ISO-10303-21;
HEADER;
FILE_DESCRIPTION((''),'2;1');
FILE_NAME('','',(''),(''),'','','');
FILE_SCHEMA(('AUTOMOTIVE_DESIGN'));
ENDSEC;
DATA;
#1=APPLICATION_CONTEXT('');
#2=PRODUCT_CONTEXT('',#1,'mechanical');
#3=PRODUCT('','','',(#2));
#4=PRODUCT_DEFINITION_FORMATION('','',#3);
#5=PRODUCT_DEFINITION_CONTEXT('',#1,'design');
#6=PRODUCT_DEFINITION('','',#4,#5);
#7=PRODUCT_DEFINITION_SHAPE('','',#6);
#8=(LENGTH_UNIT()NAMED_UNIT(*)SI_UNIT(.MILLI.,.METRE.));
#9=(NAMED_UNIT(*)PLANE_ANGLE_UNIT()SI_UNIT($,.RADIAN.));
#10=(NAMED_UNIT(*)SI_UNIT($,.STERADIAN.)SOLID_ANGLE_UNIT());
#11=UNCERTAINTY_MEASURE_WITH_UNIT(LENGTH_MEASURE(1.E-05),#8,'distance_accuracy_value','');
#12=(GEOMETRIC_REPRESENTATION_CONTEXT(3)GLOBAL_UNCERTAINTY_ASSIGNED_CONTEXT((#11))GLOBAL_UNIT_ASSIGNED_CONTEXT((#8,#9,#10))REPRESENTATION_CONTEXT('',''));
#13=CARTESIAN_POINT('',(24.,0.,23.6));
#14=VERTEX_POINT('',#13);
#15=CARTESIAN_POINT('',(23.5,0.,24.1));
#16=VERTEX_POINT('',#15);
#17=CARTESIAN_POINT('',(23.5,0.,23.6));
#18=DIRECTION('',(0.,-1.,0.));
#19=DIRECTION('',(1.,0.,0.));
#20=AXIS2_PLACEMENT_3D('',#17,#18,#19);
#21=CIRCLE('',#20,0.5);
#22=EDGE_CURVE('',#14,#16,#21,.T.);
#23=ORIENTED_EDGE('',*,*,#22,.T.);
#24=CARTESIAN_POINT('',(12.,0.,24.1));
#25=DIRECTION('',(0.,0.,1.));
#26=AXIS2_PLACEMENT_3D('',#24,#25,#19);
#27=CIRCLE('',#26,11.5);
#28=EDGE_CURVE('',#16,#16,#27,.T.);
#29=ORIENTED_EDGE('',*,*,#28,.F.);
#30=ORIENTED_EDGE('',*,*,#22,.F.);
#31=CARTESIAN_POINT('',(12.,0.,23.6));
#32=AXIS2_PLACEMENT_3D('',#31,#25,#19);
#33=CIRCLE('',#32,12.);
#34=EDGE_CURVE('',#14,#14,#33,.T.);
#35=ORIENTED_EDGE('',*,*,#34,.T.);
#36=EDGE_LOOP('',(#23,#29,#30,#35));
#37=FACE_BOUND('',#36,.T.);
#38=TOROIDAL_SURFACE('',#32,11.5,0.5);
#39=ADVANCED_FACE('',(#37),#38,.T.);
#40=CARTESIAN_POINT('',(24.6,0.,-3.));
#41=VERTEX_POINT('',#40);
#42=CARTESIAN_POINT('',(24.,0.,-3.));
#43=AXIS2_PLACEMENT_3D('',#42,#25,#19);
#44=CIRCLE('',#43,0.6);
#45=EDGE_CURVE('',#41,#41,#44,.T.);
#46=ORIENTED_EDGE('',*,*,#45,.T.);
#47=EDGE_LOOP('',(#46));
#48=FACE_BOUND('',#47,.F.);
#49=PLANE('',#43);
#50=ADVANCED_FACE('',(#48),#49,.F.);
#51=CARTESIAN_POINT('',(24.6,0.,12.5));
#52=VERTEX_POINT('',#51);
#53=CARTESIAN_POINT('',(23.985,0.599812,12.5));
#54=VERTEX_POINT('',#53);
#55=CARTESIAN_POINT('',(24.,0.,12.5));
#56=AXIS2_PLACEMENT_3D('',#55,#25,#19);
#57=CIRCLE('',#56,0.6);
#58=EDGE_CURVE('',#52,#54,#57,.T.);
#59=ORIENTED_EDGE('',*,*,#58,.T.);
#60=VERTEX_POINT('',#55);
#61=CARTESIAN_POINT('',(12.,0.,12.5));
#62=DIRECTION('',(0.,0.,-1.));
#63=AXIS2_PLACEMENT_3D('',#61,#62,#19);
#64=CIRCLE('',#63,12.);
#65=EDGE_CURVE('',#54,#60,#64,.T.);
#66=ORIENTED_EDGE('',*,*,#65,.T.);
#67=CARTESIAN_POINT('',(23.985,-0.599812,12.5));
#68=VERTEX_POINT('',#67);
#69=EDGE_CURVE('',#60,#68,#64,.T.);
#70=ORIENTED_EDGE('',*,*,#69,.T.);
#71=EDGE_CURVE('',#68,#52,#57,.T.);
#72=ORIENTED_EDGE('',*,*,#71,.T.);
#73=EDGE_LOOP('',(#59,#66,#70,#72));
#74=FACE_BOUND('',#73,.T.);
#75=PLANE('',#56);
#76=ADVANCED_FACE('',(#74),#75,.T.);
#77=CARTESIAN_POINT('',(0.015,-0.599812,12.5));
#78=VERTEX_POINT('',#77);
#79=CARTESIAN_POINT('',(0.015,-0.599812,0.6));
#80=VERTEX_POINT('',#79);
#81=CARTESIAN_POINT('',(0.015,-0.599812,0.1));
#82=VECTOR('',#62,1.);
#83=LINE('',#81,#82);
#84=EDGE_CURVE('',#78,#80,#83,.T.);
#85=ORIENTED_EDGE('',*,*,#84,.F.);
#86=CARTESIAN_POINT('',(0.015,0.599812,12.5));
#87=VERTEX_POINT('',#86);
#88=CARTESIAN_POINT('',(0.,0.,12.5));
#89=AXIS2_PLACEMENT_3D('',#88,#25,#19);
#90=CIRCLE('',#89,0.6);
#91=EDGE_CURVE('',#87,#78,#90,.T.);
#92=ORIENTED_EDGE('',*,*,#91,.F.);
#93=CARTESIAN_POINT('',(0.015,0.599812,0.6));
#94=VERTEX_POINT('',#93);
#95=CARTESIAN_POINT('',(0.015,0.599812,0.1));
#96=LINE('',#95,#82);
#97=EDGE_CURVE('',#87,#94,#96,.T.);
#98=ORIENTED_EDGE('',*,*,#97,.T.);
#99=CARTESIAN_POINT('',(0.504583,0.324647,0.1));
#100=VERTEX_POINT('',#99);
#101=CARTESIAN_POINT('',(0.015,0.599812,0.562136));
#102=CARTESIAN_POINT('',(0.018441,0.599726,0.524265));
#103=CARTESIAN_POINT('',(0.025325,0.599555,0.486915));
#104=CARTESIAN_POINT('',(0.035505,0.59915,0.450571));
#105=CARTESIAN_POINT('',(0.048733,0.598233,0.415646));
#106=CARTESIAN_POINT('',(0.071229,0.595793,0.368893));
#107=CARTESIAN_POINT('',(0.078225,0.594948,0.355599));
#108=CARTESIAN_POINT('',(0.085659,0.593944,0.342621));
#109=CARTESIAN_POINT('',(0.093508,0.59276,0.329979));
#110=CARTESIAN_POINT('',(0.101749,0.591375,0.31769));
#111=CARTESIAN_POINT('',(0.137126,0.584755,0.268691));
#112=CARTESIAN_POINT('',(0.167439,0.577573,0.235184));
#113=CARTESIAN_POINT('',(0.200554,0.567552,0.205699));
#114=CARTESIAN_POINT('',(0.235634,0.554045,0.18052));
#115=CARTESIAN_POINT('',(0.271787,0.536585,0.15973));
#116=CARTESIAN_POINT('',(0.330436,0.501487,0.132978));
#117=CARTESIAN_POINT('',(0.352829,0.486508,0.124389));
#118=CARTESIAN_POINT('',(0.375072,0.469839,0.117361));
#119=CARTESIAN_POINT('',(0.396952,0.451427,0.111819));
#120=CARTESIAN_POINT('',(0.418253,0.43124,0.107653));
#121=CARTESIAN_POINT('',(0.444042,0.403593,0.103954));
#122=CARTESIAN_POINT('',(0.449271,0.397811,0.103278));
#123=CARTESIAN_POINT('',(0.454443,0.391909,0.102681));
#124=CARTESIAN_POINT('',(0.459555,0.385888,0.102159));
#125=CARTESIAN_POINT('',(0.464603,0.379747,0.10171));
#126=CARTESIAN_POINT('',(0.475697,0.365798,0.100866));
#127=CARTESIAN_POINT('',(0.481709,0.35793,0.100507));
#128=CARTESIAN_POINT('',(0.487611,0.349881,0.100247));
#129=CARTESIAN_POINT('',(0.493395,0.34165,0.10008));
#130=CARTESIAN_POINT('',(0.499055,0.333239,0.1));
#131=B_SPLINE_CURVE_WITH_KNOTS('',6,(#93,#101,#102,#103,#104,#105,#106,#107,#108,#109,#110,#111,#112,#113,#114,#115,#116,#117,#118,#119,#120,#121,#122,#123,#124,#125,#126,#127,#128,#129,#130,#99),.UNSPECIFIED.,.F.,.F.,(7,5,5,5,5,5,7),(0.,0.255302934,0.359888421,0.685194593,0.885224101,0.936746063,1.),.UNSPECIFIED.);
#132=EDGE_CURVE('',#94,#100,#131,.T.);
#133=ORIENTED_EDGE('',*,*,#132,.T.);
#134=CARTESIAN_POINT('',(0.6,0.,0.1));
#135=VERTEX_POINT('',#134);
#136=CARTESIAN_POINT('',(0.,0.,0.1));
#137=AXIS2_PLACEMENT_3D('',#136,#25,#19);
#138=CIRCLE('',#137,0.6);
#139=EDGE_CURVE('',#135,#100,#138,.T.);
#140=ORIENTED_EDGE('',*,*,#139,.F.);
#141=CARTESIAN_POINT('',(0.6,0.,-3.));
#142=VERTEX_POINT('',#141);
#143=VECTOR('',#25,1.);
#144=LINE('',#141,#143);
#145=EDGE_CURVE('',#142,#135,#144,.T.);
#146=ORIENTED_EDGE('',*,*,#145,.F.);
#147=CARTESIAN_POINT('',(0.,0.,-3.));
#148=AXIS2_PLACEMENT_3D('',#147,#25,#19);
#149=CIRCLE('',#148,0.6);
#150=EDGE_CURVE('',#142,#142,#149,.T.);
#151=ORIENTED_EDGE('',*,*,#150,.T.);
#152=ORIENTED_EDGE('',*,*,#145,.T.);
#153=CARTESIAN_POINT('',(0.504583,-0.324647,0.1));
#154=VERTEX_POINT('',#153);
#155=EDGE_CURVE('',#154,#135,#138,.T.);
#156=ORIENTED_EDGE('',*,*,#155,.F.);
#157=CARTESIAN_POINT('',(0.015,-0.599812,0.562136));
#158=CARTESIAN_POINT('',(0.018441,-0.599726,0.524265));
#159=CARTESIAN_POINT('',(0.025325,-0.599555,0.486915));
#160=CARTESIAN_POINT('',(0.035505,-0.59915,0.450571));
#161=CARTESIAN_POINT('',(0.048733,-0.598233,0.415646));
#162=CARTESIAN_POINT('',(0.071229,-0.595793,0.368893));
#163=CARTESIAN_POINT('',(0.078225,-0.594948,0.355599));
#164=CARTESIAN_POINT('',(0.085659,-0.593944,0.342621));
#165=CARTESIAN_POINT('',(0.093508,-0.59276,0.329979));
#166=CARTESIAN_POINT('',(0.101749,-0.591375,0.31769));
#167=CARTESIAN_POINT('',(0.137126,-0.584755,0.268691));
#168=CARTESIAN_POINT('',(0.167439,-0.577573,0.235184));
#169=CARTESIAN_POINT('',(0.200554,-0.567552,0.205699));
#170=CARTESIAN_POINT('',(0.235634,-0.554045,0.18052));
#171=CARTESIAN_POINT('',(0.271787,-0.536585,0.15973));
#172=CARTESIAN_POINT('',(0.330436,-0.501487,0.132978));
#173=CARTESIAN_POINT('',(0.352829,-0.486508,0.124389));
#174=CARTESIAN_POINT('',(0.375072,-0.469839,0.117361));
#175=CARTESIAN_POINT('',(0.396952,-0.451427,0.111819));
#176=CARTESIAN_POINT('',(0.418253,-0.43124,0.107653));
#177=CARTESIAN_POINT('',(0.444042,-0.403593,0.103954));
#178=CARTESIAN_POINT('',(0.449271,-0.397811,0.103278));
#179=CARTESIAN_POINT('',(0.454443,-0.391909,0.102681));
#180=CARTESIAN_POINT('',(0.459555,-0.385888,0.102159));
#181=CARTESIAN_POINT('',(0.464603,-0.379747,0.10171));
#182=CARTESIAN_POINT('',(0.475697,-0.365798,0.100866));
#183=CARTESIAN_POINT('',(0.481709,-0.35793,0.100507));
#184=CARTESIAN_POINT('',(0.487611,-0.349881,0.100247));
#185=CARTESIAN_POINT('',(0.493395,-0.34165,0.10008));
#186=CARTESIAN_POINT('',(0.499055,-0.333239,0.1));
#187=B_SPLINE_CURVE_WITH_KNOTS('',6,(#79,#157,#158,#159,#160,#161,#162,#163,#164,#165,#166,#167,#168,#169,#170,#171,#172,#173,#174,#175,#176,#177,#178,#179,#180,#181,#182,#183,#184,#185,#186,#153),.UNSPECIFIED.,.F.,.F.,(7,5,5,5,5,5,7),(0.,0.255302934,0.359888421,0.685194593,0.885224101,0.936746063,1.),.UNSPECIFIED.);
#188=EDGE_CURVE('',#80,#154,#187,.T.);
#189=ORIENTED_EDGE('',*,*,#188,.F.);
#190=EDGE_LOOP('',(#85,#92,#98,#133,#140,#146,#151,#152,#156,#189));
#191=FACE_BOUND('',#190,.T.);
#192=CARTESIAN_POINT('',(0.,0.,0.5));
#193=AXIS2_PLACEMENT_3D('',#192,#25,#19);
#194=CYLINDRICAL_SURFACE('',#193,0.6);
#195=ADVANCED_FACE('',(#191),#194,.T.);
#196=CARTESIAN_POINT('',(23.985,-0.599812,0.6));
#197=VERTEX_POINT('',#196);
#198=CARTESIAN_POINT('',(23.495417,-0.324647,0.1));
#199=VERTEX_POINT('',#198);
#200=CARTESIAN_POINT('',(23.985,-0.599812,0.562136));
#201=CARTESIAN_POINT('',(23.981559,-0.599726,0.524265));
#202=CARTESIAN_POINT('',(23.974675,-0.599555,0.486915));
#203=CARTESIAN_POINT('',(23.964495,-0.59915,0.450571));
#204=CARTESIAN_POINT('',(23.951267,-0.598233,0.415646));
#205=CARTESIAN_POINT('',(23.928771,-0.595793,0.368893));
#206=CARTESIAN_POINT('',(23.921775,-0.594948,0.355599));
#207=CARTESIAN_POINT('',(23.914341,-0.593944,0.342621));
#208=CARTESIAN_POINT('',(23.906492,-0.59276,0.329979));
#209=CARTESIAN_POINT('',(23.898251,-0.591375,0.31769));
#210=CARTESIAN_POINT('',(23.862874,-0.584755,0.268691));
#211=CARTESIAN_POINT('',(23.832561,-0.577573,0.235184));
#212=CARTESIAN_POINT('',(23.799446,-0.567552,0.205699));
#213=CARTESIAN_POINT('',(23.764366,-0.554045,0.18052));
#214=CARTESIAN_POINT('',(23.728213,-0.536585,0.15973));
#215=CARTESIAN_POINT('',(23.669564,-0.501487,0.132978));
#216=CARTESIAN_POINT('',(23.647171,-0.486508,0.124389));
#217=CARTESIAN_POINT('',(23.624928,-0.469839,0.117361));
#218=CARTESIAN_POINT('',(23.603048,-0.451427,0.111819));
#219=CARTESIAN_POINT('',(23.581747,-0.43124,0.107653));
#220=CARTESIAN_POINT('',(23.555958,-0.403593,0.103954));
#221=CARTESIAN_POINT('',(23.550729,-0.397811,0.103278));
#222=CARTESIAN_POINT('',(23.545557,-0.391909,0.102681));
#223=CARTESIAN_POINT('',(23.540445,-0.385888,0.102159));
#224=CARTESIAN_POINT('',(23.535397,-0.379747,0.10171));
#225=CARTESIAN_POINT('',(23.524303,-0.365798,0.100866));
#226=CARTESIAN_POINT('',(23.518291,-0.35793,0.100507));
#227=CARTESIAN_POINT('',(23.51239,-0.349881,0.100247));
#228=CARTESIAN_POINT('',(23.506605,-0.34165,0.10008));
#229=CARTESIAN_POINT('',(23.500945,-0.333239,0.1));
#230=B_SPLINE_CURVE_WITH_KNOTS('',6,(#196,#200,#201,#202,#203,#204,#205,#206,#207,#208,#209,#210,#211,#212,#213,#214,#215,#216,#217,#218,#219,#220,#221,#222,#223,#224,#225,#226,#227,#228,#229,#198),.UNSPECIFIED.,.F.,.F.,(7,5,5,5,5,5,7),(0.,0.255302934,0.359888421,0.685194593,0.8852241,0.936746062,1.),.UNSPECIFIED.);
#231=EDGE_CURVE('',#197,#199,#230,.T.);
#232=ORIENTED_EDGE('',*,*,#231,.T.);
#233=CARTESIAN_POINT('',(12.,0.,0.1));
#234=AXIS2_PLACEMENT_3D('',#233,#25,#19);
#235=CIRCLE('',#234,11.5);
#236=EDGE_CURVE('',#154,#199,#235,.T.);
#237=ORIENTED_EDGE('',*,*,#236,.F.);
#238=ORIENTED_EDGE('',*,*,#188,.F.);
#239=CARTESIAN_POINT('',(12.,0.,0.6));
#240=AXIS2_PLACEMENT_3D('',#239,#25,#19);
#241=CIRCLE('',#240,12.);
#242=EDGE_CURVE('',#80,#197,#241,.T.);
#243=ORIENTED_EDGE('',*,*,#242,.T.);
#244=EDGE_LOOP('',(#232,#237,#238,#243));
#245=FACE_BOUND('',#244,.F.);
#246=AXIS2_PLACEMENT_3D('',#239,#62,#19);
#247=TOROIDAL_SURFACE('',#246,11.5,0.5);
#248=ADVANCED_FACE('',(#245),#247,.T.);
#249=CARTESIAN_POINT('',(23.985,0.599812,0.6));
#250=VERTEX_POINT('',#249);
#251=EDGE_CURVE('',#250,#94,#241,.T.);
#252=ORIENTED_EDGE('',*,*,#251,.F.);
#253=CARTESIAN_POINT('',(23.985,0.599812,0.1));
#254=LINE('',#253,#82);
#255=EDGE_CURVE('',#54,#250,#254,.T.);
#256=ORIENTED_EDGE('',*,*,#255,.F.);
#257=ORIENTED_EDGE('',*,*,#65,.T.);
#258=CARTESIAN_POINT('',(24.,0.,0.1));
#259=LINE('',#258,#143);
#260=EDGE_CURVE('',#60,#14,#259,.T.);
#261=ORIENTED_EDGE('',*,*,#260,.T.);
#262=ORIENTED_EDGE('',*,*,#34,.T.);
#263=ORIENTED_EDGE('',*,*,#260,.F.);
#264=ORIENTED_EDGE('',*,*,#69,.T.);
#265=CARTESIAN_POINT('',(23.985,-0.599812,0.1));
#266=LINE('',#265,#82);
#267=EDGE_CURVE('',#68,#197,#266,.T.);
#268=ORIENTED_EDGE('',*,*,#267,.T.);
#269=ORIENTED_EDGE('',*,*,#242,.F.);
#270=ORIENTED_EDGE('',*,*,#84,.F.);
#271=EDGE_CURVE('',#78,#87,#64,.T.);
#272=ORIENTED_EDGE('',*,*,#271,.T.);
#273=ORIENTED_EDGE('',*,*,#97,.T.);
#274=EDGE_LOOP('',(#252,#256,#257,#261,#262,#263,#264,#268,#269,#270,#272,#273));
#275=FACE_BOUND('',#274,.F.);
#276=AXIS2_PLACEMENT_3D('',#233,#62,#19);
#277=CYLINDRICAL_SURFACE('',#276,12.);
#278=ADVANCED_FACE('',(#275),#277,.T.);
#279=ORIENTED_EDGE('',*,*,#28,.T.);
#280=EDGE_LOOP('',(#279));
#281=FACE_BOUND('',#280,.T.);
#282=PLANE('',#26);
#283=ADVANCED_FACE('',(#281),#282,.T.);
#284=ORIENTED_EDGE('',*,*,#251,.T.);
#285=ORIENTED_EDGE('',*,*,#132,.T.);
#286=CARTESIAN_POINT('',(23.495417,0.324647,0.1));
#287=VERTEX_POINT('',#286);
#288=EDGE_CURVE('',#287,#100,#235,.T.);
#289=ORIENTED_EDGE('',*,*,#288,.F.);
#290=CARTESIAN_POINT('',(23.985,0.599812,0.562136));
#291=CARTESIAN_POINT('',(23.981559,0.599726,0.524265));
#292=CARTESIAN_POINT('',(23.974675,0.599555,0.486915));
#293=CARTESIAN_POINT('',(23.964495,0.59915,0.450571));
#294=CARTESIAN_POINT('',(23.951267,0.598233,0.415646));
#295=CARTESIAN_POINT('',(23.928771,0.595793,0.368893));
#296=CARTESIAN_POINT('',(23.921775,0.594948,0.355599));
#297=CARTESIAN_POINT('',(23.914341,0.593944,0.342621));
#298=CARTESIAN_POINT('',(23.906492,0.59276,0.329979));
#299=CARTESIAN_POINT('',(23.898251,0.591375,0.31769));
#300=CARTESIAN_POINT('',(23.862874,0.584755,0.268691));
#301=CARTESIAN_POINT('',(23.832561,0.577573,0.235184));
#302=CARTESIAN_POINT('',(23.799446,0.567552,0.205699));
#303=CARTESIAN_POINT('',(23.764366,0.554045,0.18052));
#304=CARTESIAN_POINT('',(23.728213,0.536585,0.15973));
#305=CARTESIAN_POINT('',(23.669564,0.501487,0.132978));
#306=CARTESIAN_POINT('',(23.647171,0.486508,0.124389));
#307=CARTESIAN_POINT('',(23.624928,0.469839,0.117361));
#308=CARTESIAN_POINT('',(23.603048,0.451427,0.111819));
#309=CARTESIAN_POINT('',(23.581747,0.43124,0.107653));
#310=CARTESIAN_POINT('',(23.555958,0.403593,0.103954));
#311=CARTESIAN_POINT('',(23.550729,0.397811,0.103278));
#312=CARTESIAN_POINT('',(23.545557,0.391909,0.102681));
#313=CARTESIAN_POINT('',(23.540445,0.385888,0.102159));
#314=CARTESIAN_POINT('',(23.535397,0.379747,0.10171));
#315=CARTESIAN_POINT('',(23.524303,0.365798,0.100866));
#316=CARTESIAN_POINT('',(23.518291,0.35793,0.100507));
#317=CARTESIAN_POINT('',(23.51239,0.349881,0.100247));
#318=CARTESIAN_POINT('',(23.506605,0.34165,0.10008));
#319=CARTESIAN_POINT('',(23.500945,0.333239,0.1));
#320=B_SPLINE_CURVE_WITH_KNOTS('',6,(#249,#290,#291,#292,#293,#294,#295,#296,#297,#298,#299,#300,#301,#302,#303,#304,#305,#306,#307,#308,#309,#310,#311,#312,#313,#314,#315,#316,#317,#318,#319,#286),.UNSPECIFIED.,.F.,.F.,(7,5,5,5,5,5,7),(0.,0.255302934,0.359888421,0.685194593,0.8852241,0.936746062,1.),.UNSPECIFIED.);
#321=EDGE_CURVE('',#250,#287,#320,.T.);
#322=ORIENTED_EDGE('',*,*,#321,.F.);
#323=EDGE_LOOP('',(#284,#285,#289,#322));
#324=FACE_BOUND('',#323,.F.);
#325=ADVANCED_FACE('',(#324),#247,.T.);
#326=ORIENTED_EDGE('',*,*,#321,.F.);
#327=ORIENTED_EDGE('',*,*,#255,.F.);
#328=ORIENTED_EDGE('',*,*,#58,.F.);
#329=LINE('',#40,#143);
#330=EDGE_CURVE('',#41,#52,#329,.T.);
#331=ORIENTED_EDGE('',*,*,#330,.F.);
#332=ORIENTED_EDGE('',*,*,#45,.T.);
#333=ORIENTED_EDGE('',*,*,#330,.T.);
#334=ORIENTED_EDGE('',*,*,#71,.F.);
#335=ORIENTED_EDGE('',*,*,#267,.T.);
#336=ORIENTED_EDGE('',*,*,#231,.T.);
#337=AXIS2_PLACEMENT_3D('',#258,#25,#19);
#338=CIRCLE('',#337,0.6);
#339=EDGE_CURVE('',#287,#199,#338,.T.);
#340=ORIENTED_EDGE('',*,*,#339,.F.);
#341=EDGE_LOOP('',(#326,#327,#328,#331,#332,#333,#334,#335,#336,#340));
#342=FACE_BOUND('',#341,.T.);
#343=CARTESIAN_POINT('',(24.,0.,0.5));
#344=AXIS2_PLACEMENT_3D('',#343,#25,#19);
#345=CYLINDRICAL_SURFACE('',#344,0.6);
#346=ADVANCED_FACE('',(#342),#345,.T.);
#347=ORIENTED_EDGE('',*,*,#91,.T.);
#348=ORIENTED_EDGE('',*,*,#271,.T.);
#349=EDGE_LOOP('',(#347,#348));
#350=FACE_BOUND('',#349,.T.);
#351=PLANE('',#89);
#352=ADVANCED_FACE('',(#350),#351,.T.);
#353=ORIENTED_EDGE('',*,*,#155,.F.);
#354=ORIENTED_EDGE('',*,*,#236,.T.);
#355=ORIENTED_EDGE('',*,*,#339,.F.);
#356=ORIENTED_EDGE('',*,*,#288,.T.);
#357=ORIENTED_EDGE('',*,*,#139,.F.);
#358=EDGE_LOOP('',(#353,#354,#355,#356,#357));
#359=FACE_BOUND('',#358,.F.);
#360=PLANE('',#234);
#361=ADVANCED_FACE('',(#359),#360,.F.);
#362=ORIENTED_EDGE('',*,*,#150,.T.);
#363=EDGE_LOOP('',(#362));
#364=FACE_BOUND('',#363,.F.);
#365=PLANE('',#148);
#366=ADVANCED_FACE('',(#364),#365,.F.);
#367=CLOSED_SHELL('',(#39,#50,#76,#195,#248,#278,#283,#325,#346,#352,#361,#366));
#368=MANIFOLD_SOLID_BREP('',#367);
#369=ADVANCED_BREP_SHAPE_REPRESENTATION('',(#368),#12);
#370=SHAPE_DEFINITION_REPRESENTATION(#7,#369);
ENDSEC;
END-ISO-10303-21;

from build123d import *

# Parameters (mm, degrees)
SKETCH001_R       = 0.6
PAD001_DEPTH      = 12
PAD001_DEPTH_BACK = 3.5
SKETCH_R          = 12
PAD_DEPTH         = 24
FILLET_R          = 0.5


with BuildPart() as pad001:
    # Sketch001 → Pad001 (new body, two sides)
    with BuildSketch(Plane.XY.offset(0.5)) as pad001_sk:
        Circle(SKETCH001_R)
        with Locations((24, 0)):
            Circle(SKETCH001_R)
    extrude(amount=PAD001_DEPTH)
    extrude(pad001_sk.sketch, amount=-PAD001_DEPTH_BACK)


with BuildPart() as l_radial_d24_0mm_p24_00mm:
    # Sketch → Pad (new body)
    with BuildSketch(Plane.XY.offset(0.1)):
        with Locations((12, 0)):
            Circle(SKETCH_R)
    extrude(amount=PAD_DEPTH)

    # Fillet
    fillet_edges = [l_radial_d24_0mm_p24_00mm.edges().sort_by_distance(p)[0] for p in [
        (0, 0, 0.1),
        (0, 0, 24.1),
    ]]
    fillet(fillet_edges, radius=FILLET_R)

    # Fillet_mp_cp: union Pad001
    add(pad001.part)


solid = l_radial_d24_0mm_p24_00mm.part
